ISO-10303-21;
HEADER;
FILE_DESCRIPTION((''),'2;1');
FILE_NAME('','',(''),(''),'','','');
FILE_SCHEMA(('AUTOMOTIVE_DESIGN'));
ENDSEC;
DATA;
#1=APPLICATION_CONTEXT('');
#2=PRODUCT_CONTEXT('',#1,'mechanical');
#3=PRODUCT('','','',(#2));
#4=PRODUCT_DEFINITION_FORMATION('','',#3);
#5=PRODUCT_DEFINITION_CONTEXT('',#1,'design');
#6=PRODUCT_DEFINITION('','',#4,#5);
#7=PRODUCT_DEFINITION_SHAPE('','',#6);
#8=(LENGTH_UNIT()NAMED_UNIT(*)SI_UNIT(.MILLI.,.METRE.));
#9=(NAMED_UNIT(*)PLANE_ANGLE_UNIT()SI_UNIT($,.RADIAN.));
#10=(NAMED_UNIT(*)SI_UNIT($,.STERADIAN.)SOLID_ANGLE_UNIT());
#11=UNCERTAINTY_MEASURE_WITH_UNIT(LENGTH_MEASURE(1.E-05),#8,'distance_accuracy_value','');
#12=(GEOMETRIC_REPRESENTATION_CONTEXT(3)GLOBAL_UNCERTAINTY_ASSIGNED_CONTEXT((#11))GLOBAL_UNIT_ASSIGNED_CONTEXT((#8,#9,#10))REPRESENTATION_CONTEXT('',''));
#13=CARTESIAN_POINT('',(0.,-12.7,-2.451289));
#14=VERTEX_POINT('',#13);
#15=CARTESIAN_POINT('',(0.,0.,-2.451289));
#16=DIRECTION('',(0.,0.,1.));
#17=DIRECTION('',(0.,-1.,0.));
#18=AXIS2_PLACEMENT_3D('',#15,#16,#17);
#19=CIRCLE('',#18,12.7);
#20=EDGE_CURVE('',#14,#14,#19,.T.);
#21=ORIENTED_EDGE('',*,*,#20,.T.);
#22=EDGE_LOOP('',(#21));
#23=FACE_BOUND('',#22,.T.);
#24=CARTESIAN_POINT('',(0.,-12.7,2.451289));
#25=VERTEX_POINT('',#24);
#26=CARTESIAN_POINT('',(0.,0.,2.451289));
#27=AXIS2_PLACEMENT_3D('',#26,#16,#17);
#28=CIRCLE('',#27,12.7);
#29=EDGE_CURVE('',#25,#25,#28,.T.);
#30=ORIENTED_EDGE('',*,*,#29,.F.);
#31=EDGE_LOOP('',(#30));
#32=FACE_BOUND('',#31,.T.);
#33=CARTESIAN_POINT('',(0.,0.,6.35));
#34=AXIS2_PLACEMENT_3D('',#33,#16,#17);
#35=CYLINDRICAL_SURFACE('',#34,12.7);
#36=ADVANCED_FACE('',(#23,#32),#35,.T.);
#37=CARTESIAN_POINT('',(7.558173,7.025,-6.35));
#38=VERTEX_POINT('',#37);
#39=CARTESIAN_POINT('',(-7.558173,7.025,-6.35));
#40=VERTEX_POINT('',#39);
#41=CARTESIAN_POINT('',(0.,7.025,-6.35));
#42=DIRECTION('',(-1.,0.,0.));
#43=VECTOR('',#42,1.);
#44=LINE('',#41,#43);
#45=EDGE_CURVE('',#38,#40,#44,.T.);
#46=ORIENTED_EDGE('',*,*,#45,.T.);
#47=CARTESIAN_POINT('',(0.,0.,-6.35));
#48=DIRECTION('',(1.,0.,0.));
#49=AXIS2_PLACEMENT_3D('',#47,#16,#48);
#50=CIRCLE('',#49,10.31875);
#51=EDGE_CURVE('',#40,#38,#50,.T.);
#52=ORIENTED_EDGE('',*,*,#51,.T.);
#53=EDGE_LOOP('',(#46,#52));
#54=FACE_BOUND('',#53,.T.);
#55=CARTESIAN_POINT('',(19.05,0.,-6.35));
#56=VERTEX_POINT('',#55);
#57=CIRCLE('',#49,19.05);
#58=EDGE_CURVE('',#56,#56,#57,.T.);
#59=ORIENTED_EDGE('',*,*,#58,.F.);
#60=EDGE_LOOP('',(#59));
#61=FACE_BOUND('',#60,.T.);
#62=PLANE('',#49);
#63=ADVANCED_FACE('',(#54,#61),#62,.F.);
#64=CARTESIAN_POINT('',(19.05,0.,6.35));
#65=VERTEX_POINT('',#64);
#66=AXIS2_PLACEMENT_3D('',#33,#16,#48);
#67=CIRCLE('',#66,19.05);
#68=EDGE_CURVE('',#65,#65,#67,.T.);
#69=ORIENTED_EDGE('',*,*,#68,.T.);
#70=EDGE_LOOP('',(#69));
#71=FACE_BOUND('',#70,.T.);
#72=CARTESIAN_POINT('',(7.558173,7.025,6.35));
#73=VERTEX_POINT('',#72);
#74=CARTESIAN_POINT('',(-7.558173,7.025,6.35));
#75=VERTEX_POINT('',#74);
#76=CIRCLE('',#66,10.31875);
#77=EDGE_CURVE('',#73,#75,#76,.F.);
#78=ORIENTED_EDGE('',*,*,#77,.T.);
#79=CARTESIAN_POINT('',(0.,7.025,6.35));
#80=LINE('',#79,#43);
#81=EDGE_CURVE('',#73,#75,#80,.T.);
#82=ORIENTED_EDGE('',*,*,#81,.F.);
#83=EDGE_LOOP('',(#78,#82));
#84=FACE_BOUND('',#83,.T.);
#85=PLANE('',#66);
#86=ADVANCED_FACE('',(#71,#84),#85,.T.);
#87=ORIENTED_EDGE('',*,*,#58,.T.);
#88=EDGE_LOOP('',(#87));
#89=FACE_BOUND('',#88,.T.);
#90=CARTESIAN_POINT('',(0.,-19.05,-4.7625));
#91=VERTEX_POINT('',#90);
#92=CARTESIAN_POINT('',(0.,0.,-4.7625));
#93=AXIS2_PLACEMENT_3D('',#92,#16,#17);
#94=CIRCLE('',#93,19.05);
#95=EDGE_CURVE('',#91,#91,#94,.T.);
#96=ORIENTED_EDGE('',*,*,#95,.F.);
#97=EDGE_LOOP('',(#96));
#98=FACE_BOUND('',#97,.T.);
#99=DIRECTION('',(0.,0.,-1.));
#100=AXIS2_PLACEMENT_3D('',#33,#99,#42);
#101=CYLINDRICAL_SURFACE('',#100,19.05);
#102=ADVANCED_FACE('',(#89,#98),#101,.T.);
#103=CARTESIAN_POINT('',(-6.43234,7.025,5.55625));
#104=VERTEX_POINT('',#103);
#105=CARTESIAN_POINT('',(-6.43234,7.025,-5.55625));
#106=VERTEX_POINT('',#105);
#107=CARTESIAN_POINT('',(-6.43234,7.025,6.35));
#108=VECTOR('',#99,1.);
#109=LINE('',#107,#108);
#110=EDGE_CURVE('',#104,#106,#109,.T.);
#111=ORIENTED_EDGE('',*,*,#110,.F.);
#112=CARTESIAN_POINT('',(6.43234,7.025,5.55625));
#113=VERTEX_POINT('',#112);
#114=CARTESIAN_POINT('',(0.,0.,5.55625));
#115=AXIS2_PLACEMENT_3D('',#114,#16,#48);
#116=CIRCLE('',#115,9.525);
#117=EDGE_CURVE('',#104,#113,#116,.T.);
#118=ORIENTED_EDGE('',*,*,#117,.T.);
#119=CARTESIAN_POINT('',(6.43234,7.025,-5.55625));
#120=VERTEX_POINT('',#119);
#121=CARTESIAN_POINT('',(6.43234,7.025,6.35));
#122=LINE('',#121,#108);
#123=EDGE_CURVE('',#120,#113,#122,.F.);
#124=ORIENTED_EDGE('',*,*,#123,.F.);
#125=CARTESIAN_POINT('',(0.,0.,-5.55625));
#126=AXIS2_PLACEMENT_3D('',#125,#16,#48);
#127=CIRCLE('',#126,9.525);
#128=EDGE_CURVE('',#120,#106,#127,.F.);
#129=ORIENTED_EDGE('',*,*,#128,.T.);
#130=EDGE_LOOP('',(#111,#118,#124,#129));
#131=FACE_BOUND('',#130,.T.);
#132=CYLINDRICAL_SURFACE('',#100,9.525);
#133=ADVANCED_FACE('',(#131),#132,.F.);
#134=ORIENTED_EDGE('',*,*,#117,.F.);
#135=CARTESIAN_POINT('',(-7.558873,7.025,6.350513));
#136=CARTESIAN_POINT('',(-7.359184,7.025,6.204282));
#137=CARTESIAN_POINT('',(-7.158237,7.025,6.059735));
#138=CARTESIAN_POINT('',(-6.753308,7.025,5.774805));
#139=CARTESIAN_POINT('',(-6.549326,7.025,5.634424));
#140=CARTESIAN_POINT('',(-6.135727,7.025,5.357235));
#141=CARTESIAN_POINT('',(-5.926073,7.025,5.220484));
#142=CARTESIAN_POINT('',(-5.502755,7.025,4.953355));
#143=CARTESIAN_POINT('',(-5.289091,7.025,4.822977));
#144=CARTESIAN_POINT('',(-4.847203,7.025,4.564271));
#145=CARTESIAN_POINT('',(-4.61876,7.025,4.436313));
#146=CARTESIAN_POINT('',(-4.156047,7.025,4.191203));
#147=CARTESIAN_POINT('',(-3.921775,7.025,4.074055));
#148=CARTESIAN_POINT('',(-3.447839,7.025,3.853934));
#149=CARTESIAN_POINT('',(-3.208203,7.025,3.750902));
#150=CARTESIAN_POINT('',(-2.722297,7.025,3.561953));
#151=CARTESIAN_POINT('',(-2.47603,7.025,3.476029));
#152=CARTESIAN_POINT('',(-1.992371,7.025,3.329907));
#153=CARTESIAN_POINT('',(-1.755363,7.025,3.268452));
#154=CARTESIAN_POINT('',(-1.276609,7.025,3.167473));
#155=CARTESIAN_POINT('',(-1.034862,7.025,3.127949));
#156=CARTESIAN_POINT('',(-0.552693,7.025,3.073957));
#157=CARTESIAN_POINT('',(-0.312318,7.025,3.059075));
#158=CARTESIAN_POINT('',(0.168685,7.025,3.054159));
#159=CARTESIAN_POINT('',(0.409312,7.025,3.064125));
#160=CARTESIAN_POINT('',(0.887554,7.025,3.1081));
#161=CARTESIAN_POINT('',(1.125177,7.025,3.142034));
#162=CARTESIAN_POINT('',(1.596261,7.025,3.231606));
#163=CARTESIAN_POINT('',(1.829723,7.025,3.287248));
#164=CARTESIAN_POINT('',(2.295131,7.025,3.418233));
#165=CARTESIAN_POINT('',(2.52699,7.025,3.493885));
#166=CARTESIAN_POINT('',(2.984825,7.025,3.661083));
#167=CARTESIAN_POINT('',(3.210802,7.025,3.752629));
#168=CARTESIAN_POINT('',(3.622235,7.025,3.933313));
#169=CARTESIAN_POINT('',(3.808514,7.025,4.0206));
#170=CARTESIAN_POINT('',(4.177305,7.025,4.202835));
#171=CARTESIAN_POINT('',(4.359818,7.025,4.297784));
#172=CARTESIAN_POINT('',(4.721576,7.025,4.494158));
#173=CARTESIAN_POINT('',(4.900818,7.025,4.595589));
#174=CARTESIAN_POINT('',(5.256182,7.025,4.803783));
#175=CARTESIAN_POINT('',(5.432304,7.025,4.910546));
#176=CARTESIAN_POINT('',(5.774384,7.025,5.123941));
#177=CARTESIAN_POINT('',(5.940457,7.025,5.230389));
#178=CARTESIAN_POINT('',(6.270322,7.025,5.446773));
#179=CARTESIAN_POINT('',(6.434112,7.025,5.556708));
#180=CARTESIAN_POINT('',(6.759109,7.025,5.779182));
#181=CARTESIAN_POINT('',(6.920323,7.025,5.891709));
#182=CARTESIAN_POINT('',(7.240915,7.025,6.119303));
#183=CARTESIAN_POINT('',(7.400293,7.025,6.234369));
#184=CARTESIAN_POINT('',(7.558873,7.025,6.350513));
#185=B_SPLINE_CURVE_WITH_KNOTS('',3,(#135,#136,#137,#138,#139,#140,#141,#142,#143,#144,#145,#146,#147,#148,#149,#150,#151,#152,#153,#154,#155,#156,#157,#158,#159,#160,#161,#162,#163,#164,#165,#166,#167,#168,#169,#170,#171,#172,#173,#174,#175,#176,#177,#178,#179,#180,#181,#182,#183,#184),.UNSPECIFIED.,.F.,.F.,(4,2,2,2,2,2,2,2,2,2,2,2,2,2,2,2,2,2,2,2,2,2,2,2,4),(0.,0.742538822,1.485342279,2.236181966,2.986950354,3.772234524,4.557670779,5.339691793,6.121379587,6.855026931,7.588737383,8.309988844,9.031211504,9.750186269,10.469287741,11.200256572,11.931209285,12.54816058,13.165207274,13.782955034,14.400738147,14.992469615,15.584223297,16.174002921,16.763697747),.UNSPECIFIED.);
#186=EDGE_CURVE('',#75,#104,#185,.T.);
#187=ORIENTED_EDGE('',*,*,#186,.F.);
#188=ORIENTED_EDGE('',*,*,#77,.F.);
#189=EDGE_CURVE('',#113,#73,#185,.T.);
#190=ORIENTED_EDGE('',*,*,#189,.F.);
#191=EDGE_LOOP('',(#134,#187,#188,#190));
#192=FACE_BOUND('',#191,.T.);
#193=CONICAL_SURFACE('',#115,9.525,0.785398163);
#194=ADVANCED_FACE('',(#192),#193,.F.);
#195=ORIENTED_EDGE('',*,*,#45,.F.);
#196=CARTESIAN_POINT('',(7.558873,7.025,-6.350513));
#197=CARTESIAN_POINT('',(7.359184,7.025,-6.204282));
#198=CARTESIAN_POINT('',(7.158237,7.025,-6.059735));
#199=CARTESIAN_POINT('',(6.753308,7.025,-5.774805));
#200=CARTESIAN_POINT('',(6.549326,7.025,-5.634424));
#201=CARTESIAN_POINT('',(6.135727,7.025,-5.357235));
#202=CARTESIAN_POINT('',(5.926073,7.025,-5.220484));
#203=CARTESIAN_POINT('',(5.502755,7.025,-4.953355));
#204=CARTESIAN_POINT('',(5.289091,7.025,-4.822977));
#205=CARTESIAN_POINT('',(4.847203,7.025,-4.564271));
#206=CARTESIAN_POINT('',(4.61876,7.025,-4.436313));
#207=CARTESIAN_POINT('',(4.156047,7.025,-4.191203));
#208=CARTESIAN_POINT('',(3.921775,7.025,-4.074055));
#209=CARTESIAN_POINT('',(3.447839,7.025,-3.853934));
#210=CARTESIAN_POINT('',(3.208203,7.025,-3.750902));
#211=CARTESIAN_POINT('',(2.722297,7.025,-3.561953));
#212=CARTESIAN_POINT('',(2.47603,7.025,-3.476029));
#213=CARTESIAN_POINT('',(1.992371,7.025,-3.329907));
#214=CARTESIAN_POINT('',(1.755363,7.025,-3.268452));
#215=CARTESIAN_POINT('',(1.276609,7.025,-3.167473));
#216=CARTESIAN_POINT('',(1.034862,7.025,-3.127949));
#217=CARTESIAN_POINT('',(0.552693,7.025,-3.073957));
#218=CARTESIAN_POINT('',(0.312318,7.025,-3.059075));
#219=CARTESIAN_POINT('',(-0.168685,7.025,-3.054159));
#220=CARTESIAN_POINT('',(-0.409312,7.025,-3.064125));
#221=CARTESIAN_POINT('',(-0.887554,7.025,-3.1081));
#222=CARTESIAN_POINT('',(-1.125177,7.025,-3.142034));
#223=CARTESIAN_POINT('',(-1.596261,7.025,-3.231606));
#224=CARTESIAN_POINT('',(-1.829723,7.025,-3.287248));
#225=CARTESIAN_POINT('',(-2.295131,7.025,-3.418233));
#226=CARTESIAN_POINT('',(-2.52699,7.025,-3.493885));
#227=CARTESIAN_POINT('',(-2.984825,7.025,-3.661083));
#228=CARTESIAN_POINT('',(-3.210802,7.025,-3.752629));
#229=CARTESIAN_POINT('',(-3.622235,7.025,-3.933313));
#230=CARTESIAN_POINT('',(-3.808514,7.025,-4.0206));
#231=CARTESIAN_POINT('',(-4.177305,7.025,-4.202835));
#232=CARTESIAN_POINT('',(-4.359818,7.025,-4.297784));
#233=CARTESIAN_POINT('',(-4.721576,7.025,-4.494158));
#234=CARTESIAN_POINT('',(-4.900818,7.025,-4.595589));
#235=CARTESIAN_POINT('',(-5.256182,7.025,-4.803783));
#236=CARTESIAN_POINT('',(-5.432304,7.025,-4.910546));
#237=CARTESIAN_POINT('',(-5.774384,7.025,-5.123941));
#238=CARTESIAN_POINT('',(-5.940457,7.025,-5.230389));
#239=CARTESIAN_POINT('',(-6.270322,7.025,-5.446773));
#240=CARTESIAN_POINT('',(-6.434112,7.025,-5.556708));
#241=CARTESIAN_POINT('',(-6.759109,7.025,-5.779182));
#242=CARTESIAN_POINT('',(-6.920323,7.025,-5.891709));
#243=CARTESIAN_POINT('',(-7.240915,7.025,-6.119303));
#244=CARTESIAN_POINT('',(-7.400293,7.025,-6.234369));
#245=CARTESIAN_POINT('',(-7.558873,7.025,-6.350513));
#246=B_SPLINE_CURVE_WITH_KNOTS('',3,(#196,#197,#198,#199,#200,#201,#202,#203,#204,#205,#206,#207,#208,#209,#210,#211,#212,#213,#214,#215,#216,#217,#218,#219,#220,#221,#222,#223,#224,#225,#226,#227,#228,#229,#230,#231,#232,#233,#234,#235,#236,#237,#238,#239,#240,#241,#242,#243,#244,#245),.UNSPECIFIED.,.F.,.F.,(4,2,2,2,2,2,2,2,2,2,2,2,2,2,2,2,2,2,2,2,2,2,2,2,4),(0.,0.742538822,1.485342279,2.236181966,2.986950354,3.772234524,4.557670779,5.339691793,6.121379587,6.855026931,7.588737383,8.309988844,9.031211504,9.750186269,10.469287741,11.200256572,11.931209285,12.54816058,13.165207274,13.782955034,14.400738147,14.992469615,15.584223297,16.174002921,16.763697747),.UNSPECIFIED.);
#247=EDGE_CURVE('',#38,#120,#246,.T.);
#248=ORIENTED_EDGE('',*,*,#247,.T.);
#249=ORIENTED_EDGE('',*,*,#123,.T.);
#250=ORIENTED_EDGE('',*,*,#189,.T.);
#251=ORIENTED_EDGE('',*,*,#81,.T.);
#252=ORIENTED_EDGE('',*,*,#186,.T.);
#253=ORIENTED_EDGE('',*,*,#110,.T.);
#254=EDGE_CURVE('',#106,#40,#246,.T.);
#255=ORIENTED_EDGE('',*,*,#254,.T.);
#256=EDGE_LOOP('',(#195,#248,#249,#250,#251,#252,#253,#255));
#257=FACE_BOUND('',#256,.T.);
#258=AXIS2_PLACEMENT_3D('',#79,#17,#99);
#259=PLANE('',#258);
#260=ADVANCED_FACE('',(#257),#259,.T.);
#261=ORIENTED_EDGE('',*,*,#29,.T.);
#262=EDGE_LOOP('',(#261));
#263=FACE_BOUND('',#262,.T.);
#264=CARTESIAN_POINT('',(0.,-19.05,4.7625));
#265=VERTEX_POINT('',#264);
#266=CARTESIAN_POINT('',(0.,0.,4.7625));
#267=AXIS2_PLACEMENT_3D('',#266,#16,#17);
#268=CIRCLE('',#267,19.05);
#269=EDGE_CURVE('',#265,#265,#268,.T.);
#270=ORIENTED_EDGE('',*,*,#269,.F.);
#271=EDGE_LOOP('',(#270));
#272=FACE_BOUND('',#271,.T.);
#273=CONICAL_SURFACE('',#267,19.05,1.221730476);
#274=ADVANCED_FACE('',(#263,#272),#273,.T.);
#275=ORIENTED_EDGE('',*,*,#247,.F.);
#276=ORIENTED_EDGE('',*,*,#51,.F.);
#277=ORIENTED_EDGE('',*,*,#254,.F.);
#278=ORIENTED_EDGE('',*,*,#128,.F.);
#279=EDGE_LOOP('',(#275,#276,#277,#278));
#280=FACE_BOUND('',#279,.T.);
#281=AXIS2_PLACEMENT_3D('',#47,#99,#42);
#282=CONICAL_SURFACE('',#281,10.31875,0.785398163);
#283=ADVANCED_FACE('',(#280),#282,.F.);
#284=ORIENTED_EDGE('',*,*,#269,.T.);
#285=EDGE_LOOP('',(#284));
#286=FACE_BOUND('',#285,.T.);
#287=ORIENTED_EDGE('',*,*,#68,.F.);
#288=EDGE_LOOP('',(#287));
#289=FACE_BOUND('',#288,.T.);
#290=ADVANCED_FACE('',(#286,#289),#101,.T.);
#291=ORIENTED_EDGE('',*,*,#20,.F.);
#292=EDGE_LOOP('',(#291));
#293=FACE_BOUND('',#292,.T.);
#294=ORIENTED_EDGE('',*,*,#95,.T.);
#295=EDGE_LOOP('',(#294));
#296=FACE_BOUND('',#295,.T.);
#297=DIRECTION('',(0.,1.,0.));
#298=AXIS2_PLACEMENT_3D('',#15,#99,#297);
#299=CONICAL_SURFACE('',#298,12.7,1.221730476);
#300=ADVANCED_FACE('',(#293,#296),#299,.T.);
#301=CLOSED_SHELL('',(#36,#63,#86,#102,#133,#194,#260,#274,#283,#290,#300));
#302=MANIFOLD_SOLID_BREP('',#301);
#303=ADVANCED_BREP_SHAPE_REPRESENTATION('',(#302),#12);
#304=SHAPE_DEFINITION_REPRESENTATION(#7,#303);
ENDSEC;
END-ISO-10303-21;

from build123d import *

# Parameters (mm, degrees)
SKETCH1_R           = 19.05
SKETCH1_R_2         = 9.525
EXTRUDE1_DEPTH      = 6.35
CHAMFER1_SIZE       = 0.79375
BOSS_EXTRUDE1_DEPTH = 12.7


with BuildPart() as part:
    # Sketch1 → Extrude1 (new, symmetric)
    with BuildSketch(Plane.XY):
        Circle(SKETCH1_R)
        Circle(SKETCH1_R_2, mode=Mode.SUBTRACT)
    extrude(amount=EXTRUDE1_DEPTH, both=True)

    # Chamfer1
    chamfer1_edges = [part.edges().sort_by_distance(p)[0] for p in [
        (-9.525, 0, -6.35),
        (-9.525, 0, 6.35),
    ]]
    chamfer(chamfer1_edges, length=CHAMFER1_SIZE)

    # Sketch2 → Cut-Revolve1 (revolve, cut)
    with BuildSketch(Plane(origin=(0, 0, 0), x_dir=(0, 0, -1), z_dir=(1, 0, 0)), mode=Mode.PRIVATE) as cut_revolve1_sk:
        Polygon((-4.7625, 19.05), (4.7625, 19.05), (2.451289012, 12.7), (-2.451289012, 12.7), align=None)
    revolve(cut_revolve1_sk.sketch.rotate(Axis((0, 0, 6.35), (0, 0, -1)), 180), axis=Axis((0, 0, 6.35), (0, 0, -1)), mode=Mode.SUBTRACT)

    # Sketch3 → Boss-Extrude1 (add, through all)
    with BuildSketch(Plane(origin=(0, 0, -6.35), x_dir=(-1, 0, 0), z_dir=(0, 0, -1))):
        with BuildLine():
            ThreePointArc((7.558172832, 7.025), (0, 10.31875), (-7.558172832, 7.025))
            Line((-7.558172832, 7.025), (7.558172832, 7.025))
        make_face()
    extrude(amount=-BOSS_EXTRUDE1_DEPTH)


solid = part.part
